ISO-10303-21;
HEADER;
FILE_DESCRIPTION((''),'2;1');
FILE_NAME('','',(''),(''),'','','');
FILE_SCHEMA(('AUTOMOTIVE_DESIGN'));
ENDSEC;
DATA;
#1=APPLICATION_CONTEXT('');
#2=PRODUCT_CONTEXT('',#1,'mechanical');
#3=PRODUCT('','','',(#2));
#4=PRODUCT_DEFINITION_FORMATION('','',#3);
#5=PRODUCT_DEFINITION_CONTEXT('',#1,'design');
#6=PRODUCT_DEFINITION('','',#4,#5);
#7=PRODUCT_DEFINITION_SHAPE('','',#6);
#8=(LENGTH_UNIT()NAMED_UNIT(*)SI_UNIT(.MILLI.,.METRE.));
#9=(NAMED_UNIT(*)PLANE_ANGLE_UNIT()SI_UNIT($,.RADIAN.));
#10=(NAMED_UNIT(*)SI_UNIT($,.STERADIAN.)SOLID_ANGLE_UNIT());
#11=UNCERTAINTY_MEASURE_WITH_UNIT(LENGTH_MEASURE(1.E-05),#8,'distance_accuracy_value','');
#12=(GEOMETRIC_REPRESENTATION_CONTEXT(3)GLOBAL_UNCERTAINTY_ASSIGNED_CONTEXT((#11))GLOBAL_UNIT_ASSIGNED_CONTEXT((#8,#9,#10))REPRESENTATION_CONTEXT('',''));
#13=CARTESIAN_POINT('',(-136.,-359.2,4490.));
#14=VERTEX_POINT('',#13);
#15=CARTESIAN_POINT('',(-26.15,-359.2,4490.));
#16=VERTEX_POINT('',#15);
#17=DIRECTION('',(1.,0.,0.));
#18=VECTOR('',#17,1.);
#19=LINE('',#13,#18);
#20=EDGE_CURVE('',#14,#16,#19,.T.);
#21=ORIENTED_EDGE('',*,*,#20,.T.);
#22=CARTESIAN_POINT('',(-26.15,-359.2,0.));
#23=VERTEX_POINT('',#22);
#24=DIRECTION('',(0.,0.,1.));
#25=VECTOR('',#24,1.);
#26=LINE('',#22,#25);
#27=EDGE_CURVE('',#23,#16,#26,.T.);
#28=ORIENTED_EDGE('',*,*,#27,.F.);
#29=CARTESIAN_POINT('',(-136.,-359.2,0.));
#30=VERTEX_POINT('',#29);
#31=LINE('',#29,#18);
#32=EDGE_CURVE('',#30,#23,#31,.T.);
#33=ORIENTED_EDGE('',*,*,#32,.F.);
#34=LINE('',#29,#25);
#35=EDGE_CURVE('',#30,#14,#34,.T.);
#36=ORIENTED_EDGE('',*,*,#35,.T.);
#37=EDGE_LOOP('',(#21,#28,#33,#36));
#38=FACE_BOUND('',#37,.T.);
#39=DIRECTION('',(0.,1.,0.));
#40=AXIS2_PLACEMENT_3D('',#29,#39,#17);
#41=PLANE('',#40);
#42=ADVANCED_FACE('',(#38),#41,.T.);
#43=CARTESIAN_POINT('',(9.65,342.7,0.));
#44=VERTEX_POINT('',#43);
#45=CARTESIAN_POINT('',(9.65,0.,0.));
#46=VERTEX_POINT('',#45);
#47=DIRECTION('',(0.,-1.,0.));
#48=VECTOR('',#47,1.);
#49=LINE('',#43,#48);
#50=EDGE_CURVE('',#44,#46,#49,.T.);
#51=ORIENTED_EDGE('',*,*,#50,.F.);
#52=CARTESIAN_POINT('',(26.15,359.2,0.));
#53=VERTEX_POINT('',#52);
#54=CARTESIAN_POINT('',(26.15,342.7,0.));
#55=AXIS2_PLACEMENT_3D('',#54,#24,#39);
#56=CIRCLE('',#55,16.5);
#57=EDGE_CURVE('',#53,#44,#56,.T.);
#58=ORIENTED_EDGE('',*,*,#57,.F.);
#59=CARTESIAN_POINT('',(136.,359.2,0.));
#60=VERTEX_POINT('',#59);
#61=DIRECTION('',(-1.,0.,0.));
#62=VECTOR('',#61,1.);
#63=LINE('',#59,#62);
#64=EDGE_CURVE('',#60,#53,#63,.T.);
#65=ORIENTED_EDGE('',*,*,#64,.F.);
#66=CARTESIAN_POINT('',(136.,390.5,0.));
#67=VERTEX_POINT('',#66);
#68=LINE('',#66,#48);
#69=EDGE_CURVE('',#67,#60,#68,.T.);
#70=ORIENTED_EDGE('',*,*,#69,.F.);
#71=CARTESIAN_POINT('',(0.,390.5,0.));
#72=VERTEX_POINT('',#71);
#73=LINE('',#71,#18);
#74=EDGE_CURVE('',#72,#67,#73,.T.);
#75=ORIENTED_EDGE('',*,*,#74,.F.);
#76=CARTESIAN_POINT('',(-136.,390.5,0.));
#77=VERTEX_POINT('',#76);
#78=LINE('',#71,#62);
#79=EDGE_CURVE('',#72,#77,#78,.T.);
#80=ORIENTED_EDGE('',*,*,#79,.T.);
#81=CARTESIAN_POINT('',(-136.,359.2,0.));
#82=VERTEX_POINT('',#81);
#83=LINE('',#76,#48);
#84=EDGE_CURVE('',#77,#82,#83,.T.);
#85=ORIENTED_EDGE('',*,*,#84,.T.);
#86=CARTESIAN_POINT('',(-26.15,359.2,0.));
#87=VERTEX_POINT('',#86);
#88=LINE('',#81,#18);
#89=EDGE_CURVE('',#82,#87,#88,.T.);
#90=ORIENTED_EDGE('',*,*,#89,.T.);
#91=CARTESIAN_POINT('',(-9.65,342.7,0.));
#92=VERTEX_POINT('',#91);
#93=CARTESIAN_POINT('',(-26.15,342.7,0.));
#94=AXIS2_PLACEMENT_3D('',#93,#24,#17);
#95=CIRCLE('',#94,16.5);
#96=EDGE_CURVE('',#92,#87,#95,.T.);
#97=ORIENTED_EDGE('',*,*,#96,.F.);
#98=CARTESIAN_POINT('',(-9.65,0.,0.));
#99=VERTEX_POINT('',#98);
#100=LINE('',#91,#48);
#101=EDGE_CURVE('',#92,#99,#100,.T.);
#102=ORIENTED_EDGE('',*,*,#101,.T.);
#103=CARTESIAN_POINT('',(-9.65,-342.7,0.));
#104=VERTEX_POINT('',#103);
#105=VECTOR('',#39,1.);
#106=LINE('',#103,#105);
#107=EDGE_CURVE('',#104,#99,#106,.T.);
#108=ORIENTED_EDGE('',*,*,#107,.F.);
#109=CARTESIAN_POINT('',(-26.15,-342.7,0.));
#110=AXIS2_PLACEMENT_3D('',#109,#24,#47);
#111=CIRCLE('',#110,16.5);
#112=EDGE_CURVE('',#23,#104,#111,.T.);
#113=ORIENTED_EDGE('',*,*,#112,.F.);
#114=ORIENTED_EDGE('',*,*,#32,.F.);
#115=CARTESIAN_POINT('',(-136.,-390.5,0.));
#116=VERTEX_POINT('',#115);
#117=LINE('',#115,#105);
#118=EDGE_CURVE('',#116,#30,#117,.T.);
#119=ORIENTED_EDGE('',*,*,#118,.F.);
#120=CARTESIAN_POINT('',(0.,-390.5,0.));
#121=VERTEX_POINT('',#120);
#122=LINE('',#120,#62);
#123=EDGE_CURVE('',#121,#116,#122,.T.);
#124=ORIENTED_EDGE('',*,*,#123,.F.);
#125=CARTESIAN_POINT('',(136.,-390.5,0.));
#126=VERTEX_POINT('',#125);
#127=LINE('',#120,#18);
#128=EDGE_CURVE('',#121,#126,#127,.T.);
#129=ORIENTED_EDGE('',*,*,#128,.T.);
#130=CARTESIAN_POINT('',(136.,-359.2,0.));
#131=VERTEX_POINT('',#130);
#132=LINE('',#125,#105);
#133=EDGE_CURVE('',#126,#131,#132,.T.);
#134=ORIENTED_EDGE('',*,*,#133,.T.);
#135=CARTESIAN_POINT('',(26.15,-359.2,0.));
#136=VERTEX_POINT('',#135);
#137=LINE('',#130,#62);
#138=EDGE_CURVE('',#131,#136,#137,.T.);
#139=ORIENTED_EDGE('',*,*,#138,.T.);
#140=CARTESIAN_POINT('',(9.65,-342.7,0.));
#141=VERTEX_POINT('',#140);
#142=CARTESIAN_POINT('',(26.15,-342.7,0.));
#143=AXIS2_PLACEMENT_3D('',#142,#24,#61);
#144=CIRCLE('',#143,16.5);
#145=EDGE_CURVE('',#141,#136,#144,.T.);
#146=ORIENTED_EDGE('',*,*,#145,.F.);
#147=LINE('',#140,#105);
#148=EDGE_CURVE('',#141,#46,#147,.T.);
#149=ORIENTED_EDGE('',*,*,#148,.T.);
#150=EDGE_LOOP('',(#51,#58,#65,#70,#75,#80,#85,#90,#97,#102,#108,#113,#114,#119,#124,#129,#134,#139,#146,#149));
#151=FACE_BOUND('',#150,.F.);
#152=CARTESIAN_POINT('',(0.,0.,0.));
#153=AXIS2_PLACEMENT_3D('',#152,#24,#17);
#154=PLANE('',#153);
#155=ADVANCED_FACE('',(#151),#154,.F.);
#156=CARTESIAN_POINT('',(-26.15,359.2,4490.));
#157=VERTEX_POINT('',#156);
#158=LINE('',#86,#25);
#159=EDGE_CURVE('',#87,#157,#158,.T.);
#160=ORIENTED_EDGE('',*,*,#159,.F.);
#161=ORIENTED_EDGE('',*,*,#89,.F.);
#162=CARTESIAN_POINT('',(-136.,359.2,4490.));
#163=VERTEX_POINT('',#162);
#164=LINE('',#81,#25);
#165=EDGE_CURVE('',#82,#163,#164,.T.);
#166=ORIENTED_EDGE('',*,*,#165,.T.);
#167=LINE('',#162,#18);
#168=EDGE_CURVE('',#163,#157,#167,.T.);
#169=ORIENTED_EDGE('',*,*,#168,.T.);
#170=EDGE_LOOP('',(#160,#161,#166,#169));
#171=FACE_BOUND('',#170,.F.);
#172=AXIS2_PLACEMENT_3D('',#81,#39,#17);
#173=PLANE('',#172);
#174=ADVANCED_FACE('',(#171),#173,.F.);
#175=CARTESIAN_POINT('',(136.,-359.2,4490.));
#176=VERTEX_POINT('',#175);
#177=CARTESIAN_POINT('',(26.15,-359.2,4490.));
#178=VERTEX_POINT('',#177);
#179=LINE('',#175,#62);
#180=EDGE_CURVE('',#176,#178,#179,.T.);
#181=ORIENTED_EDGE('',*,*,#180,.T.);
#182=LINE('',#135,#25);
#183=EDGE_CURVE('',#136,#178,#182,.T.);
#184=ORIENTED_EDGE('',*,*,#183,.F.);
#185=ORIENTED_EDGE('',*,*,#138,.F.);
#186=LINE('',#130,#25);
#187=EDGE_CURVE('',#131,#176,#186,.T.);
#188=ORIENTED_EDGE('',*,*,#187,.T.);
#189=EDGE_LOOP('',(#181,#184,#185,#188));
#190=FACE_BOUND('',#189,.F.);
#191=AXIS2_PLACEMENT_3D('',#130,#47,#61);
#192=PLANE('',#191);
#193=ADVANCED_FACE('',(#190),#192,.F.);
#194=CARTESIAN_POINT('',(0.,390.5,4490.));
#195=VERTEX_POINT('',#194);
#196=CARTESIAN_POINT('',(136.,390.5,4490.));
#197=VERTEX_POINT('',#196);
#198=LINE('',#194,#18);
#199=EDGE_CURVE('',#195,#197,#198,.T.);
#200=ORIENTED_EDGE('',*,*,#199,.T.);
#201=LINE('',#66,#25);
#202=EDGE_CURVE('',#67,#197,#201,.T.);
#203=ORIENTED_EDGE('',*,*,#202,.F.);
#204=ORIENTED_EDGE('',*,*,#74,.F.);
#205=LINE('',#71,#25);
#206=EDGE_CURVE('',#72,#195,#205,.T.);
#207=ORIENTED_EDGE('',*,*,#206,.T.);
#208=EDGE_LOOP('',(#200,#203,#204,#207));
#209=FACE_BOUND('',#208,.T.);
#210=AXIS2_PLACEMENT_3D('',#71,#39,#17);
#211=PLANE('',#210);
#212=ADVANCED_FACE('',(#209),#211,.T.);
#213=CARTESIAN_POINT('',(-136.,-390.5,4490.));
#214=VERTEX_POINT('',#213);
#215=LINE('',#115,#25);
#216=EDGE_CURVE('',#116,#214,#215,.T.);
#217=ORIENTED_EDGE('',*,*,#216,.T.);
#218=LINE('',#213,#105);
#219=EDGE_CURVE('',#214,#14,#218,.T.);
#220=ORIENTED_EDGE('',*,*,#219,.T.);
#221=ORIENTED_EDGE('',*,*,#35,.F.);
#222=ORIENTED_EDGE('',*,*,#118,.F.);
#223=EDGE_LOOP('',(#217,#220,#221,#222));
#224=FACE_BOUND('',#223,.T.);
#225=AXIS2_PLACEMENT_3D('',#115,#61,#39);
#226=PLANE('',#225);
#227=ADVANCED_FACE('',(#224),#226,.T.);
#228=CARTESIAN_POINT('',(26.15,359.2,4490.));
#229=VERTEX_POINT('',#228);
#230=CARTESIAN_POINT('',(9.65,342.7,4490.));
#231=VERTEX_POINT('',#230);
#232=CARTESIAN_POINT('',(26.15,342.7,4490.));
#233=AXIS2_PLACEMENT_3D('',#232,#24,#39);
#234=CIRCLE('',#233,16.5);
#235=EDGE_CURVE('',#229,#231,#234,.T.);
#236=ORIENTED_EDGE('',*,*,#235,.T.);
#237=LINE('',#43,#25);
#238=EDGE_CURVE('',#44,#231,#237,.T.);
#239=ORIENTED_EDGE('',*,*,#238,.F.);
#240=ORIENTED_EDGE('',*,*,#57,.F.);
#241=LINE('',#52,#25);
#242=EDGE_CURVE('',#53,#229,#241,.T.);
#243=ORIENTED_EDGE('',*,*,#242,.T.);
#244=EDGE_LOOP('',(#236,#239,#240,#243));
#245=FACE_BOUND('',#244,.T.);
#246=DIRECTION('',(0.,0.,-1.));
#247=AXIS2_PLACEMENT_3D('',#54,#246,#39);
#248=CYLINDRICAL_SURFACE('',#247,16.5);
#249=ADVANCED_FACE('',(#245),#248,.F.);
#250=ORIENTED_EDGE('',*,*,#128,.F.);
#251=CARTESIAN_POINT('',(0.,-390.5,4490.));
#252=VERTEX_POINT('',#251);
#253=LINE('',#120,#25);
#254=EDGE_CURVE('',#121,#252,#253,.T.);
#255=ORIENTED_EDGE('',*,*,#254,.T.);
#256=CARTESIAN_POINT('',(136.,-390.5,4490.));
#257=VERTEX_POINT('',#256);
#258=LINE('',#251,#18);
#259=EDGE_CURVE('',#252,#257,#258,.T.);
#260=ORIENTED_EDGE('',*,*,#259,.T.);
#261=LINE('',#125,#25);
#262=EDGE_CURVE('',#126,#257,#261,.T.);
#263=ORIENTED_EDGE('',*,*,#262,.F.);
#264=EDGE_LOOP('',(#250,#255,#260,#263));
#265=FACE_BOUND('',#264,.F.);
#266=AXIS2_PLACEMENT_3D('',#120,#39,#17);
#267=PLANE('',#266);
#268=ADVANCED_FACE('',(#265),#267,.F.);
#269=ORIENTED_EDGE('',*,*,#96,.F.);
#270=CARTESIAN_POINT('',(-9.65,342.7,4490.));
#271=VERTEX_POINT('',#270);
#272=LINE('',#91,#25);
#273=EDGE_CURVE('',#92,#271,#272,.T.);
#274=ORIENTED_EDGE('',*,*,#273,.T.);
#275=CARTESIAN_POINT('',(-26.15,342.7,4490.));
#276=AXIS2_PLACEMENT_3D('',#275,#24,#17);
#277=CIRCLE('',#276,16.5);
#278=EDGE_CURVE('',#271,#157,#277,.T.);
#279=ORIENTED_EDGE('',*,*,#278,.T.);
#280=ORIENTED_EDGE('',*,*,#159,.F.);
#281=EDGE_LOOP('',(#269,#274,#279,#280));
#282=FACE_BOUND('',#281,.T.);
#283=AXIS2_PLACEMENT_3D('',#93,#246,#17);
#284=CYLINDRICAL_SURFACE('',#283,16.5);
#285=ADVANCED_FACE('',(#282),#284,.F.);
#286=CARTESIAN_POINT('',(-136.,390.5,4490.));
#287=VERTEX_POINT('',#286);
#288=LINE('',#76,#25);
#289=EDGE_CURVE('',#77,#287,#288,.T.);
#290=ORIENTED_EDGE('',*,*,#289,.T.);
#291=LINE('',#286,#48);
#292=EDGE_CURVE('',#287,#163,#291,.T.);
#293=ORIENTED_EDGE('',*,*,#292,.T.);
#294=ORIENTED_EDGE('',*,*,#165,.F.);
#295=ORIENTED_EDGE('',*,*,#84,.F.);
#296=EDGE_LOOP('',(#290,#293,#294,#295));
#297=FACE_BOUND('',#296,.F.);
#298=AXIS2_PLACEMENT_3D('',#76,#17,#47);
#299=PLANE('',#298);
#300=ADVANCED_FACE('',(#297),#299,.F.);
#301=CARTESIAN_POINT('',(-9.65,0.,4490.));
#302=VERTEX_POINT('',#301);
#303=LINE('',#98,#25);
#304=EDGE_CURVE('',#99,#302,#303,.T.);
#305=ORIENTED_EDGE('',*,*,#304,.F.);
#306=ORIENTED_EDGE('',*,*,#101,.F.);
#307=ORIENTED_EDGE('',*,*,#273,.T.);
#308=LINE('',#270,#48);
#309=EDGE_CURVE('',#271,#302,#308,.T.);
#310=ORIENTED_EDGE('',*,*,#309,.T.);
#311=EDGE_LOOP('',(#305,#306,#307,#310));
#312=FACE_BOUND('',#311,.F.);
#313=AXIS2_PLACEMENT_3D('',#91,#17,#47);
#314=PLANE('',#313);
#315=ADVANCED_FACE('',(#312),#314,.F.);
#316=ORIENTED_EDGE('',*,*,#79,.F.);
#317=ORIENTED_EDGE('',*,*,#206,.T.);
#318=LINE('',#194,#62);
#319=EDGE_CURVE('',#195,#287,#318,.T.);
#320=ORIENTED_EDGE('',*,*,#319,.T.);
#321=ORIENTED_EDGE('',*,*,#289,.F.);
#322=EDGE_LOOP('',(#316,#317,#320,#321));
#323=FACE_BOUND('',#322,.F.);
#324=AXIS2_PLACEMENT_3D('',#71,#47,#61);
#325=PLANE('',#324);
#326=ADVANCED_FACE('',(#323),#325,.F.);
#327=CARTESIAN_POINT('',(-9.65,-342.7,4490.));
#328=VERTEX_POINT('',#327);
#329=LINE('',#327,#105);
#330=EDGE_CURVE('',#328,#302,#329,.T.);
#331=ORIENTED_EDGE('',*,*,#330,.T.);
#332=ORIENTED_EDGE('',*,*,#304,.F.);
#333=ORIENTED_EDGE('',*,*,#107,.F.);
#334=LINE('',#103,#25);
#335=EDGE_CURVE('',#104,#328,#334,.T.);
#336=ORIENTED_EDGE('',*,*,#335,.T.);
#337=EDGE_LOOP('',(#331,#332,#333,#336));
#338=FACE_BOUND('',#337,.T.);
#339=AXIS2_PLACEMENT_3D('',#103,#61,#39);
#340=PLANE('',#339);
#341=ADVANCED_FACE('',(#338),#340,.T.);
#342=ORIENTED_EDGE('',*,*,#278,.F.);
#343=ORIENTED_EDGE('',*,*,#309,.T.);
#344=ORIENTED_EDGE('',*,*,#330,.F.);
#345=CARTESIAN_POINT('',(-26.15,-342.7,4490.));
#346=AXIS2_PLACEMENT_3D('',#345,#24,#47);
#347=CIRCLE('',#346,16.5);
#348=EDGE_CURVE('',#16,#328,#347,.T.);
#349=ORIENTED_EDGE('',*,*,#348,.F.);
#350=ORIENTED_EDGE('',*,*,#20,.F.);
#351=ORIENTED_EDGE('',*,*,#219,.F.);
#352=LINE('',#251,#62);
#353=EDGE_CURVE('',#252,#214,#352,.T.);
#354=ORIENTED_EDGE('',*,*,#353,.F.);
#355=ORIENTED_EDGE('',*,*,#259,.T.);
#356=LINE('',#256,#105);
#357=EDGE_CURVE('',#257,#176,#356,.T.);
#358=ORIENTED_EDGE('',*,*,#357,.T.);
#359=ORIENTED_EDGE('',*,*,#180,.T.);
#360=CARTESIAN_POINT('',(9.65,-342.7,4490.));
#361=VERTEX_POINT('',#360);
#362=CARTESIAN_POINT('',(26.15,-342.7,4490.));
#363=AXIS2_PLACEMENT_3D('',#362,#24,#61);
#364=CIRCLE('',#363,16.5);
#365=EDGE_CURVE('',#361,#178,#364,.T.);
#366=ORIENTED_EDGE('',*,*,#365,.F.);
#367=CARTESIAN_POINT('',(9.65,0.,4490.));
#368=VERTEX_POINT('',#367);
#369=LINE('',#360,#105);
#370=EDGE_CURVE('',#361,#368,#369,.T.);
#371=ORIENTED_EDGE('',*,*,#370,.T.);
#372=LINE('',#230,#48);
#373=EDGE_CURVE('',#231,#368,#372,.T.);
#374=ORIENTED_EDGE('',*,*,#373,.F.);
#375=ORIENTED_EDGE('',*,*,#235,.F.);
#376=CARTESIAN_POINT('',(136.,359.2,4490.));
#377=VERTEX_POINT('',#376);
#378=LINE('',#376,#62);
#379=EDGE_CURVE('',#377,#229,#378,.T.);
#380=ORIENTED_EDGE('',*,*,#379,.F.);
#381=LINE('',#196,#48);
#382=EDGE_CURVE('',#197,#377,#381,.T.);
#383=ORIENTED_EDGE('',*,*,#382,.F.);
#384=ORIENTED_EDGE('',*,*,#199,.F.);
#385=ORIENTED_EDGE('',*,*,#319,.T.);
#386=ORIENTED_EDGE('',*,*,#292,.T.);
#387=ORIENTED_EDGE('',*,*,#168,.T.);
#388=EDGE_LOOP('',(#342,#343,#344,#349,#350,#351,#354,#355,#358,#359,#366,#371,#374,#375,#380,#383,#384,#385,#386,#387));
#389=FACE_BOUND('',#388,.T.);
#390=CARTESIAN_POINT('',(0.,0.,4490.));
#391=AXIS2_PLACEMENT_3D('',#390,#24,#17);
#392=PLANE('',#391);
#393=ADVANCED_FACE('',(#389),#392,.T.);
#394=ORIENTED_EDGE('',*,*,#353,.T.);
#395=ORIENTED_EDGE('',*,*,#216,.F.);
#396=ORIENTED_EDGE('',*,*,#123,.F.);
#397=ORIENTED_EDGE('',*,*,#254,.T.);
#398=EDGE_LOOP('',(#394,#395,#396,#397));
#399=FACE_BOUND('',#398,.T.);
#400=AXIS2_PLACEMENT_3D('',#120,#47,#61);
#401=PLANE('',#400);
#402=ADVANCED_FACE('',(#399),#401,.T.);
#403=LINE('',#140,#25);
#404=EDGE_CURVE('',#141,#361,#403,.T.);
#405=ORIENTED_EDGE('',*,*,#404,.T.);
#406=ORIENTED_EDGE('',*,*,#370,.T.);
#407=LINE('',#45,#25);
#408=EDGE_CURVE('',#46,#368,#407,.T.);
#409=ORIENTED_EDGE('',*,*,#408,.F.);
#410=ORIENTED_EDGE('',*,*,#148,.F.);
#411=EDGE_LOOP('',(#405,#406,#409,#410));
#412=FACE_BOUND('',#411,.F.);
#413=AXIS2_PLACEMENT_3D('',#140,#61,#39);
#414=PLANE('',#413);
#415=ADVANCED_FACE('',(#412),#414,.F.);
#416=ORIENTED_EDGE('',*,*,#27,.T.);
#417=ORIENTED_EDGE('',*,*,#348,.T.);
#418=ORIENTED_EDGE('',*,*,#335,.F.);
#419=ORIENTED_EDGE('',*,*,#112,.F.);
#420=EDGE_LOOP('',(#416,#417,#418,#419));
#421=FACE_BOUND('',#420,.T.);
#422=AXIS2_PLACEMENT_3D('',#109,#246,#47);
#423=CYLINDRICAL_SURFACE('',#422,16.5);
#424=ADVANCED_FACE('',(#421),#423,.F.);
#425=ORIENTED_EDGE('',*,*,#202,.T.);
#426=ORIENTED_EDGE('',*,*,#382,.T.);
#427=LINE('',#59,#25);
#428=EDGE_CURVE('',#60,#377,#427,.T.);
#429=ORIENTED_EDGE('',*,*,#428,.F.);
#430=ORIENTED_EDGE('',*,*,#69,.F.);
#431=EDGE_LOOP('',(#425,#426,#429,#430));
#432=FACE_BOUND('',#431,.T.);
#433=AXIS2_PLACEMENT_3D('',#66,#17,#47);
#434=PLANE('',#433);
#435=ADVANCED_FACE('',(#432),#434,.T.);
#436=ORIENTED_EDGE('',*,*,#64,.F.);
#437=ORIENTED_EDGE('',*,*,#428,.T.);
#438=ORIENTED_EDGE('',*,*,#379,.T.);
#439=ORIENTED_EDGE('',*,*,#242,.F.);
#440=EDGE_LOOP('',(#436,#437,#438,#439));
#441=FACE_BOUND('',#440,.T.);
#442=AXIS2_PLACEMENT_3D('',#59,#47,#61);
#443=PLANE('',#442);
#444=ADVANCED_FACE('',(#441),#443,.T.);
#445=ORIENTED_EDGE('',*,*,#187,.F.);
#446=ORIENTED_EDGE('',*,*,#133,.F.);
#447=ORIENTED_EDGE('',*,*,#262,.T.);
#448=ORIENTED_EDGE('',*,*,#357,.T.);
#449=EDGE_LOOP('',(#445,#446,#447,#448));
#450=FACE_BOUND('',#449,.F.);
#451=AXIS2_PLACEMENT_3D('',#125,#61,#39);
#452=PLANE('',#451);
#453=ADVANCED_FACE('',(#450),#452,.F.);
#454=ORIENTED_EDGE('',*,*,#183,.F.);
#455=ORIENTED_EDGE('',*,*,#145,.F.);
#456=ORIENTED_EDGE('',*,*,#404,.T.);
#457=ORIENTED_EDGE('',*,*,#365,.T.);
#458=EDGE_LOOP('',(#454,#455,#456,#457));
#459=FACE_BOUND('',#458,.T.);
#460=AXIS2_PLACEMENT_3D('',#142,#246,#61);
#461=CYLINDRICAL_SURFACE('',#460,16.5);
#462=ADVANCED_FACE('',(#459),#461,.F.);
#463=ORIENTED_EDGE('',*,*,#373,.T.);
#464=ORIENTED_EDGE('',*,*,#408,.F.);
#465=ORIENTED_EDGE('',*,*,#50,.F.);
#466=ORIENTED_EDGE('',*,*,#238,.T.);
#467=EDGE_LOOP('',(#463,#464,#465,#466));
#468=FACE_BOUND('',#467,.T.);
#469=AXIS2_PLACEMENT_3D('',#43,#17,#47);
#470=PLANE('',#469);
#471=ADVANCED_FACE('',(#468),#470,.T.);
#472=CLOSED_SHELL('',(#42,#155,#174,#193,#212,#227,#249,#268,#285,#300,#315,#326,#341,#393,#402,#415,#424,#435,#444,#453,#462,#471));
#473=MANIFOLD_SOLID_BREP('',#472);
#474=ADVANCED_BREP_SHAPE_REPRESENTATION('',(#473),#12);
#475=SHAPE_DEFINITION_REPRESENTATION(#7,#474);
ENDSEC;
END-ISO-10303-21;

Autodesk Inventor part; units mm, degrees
ref_plane "YZ Plane" through (0, 0, 0) normal (1, 0, 0) x (0, 1, 0)
ref_plane "Start plane" through (0, 0, 0) normal (0, 0, 1) x (1, 0, 0)
ref_plane "End plane" through (0, 0, 4490) normal (0, 0, 1) x (1, 0, 0)
sketch "Sketch" plane through (0, 0, 0) normal (0, 0, 1) x (1, 0, 0)
  line L0 (-136, -390.5) -> (-136, -359.2)
  line L1 (-136, -359.2) -> (-26.15, -359.2)
  line L2 (-9.65, -342.7) -> (-9.65, 0)
  line L3 (-9.65, 0) -> (0, 0) construction
  line L4 (0, 0) -> (0, -390.5) construction
  line L5 (0, -390.5) -> (-136, -390.5)
  line L6 (-60, 0) -> (80, 0) construction
  line L7 (0, -60) -> (0, 80) construction
  line L8 (136, -390.5) -> (136, -359.2)
  line L9 (136, -359.2) -> (26.15, -359.2)
  line L10 (9.65, -342.7) -> (9.65, 0)
  line L11 (9.65, 0) -> (0, 0) construction
  line L12 (0, -390.5) -> (136, -390.5)
  line L13 (-136, 390.5) -> (-136, 359.2)
  line L14 (-136, 359.2) -> (-26.15, 359.2)
  line L15 (-9.65, 342.7) -> (-9.65, 0)
  line L16 (0, 390.5) -> (-136, 390.5)
  line L17 (136, 390.5) -> (136, 359.2)
  line L18 (136, 359.2) -> (26.15, 359.2)
  line L19 (0, 390.5) -> (136, 390.5)
  line L20 (9.65, 342.7) -> (9.65, 0)
  arc A0 (-9.65, 342.7) -> (-26.15, 359.2) centre (-26.15, 342.7) ccw
  arc A1 (26.15, 359.2) -> (9.65, 342.7) centre (26.15, 342.7) ccw
  arc A2 (9.65, -342.7) -> (26.15, -359.2) centre (26.15, -342.7) ccw
  arc A3 (-26.15, -359.2) -> (-9.65, -342.7) centre (-26.15, -342.7) ccw
  line L21 (0, 108) -> (0, -88) construction
  line L22 (-88, 0) -> (108, 0) construction
  point P0 (-9.65, -359.2)
  point P1 (9.65, -359.2)
  point P2 (-9.65, 359.2)
  point P3 (9.65, 359.2)
  dimension "d1" = 390.5
  dimension "d2" = 31.3
  dimension "d3" = 136
  dimension "d4" = 9.65
  dimension "d10" = 16.5
extrude "Body" add sketch "Sketch" along normal up to surface (4490 mm away) from surface at 0
sketch "Sketch4" plane through (0, 0, 0) normal (0, 0, 1) x (1, 0, 0)
  line L0 (0, 0) -> (10, 0)
ref_plane "Work Plane3" through (0, 0, 0) normal (0, -1, 0) x (1, 0, 0)
sketch "Sketch5" plane through (0, 0, 0) normal (0, -1, 0) x (1, 0, 0)
  line L0 (-2, 0) -> (12, 0) projected
  line L1 (-2, 4490) -> (12, 4490) projected
  dimension "d14" = 4490
equation "\"d1\" = 0.5 * G_H"
equation "\"d2\" = G_T1"
equation "\"d3\" = 0.5 * G_W"
equation "\"d4\" = 0.5 * G_T"
equation "\"d10\" = G_IR"
equation "\"d5\" = G_L"
equation "\"G_W\" = 272"
equation "\"G_H\" = 781"
equation "\"G_T\" = 19.3"
equation "\"G_T1\" = 31.3"
equation "\"G_IR\" = 16.5"
equation "\"G_L\" = d14"
equation "\"G_OFFSET_START\" = 0"
equation "\"G_OFFSET_END\" = 0"
properties part number "AS 3679-1990 - 760 UB - 244 - 4490" material "Steel, Mild"
